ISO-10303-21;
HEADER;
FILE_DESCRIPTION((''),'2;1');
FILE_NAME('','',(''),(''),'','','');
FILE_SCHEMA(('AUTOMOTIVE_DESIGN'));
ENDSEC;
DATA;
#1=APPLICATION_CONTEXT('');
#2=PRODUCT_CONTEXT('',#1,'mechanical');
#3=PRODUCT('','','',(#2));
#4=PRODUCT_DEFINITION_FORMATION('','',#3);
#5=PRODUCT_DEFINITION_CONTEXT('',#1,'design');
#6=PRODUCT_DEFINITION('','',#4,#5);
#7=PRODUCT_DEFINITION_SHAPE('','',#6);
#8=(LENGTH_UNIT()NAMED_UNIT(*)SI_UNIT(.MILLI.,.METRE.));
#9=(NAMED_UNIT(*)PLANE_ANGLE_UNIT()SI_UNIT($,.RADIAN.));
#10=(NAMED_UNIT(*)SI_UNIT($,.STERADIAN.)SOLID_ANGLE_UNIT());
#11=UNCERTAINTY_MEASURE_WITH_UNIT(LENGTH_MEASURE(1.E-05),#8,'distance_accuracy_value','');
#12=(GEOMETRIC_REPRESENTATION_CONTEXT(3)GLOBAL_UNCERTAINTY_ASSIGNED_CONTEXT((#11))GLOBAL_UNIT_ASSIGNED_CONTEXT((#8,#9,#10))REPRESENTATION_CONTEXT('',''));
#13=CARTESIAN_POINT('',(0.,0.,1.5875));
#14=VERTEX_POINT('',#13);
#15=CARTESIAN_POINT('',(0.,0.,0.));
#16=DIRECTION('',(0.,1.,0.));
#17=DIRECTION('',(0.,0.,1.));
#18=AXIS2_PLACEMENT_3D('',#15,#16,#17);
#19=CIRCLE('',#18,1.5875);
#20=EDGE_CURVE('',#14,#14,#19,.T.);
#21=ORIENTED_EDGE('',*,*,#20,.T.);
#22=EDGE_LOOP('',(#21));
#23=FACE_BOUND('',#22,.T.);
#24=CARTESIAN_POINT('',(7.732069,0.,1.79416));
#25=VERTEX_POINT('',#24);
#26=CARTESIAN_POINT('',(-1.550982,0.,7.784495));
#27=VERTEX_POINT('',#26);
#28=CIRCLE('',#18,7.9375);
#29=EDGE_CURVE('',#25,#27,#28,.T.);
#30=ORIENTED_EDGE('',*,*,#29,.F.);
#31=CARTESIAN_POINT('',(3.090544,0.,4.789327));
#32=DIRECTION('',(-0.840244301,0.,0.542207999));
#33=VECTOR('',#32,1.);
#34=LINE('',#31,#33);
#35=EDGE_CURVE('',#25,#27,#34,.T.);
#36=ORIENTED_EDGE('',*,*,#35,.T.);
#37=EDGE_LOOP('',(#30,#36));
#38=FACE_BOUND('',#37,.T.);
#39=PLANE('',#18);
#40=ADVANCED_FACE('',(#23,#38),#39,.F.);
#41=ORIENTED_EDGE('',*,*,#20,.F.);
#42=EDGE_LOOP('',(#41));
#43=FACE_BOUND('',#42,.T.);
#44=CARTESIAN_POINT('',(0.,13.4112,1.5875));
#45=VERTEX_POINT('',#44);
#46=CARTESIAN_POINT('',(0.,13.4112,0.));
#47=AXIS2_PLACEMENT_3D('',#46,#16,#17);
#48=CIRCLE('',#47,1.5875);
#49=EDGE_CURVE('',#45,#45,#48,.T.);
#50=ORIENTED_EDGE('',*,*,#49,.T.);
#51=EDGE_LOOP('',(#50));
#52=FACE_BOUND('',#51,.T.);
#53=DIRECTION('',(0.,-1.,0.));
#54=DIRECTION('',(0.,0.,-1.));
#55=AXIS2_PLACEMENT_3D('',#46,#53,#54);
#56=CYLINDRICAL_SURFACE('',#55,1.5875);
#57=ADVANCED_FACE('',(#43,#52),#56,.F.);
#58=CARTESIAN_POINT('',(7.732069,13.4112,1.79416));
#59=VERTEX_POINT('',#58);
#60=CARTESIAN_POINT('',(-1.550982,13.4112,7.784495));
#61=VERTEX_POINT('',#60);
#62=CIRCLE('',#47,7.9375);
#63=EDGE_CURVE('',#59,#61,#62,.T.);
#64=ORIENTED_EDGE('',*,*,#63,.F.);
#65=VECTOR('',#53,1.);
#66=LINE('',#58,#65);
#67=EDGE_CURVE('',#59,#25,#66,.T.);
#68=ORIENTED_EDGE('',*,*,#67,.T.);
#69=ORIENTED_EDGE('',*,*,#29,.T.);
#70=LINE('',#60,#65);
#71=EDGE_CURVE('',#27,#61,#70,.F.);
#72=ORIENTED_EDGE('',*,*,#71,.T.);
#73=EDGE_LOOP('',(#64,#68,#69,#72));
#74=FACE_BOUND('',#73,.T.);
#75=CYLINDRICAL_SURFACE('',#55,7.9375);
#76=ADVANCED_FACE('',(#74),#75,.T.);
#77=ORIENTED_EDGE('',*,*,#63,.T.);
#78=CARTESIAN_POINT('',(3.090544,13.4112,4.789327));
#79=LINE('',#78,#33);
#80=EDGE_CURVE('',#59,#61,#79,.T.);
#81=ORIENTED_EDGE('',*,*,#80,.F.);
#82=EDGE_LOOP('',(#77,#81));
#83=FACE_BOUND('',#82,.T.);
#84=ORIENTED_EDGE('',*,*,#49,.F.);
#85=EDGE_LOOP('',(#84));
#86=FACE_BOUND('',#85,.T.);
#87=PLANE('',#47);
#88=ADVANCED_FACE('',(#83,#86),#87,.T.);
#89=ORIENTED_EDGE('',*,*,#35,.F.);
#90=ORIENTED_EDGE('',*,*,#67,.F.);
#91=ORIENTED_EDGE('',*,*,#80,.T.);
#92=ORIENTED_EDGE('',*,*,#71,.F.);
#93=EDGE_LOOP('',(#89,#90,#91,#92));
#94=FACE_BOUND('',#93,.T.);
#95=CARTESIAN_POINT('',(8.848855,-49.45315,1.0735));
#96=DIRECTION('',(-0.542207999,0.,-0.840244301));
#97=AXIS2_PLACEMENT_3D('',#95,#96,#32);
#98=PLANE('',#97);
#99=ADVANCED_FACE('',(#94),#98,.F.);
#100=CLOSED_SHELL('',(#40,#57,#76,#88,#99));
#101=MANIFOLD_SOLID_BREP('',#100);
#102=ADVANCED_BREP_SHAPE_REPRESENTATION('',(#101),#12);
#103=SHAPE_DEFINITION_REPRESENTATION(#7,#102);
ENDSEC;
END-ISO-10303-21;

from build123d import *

# Parameters (mm, degrees)
SKETCH1_R               = 7.9375
SKETCH1_R_2             = 1.5875
BOSS_EXTRUDE1_DEPTH     = 13.4112
CUT_EXTRUDE1_DEPTH      = 1
CUT_EXTRUDE1_DEPTH_BACK = 14.4112


with BuildPart() as part:
    # Sketch1 → Boss-Extrude1 (new body)
    with BuildSketch(Plane(origin=(0, 0, 0), x_dir=(1, 0, 0), z_dir=(0, 1, 0))):
        Circle(SKETCH1_R)
        Circle(SKETCH1_R_2, mode=Mode.SUBTRACT)
    extrude(amount=BOSS_EXTRUDE1_DEPTH)

    # Sketch2 → Cut-Extrude1 (cut, two sides)
    with BuildSketch(Plane.XZ) as cut_extrude1_sk:
        Polygon((50.131920067, -25.566380741), (8.84885504, 1.07350014), (-2.66776804, 8.505154423), (-43.950833066, 35.145035304), (9.328928696, 117.711165357), (103.411681829, 56.999749312), align=None)
    extrude(amount=CUT_EXTRUDE1_DEPTH, mode=Mode.SUBTRACT)
    extrude(cut_extrude1_sk.sketch, amount=-CUT_EXTRUDE1_DEPTH_BACK, mode=Mode.SUBTRACT)


solid = part.part
